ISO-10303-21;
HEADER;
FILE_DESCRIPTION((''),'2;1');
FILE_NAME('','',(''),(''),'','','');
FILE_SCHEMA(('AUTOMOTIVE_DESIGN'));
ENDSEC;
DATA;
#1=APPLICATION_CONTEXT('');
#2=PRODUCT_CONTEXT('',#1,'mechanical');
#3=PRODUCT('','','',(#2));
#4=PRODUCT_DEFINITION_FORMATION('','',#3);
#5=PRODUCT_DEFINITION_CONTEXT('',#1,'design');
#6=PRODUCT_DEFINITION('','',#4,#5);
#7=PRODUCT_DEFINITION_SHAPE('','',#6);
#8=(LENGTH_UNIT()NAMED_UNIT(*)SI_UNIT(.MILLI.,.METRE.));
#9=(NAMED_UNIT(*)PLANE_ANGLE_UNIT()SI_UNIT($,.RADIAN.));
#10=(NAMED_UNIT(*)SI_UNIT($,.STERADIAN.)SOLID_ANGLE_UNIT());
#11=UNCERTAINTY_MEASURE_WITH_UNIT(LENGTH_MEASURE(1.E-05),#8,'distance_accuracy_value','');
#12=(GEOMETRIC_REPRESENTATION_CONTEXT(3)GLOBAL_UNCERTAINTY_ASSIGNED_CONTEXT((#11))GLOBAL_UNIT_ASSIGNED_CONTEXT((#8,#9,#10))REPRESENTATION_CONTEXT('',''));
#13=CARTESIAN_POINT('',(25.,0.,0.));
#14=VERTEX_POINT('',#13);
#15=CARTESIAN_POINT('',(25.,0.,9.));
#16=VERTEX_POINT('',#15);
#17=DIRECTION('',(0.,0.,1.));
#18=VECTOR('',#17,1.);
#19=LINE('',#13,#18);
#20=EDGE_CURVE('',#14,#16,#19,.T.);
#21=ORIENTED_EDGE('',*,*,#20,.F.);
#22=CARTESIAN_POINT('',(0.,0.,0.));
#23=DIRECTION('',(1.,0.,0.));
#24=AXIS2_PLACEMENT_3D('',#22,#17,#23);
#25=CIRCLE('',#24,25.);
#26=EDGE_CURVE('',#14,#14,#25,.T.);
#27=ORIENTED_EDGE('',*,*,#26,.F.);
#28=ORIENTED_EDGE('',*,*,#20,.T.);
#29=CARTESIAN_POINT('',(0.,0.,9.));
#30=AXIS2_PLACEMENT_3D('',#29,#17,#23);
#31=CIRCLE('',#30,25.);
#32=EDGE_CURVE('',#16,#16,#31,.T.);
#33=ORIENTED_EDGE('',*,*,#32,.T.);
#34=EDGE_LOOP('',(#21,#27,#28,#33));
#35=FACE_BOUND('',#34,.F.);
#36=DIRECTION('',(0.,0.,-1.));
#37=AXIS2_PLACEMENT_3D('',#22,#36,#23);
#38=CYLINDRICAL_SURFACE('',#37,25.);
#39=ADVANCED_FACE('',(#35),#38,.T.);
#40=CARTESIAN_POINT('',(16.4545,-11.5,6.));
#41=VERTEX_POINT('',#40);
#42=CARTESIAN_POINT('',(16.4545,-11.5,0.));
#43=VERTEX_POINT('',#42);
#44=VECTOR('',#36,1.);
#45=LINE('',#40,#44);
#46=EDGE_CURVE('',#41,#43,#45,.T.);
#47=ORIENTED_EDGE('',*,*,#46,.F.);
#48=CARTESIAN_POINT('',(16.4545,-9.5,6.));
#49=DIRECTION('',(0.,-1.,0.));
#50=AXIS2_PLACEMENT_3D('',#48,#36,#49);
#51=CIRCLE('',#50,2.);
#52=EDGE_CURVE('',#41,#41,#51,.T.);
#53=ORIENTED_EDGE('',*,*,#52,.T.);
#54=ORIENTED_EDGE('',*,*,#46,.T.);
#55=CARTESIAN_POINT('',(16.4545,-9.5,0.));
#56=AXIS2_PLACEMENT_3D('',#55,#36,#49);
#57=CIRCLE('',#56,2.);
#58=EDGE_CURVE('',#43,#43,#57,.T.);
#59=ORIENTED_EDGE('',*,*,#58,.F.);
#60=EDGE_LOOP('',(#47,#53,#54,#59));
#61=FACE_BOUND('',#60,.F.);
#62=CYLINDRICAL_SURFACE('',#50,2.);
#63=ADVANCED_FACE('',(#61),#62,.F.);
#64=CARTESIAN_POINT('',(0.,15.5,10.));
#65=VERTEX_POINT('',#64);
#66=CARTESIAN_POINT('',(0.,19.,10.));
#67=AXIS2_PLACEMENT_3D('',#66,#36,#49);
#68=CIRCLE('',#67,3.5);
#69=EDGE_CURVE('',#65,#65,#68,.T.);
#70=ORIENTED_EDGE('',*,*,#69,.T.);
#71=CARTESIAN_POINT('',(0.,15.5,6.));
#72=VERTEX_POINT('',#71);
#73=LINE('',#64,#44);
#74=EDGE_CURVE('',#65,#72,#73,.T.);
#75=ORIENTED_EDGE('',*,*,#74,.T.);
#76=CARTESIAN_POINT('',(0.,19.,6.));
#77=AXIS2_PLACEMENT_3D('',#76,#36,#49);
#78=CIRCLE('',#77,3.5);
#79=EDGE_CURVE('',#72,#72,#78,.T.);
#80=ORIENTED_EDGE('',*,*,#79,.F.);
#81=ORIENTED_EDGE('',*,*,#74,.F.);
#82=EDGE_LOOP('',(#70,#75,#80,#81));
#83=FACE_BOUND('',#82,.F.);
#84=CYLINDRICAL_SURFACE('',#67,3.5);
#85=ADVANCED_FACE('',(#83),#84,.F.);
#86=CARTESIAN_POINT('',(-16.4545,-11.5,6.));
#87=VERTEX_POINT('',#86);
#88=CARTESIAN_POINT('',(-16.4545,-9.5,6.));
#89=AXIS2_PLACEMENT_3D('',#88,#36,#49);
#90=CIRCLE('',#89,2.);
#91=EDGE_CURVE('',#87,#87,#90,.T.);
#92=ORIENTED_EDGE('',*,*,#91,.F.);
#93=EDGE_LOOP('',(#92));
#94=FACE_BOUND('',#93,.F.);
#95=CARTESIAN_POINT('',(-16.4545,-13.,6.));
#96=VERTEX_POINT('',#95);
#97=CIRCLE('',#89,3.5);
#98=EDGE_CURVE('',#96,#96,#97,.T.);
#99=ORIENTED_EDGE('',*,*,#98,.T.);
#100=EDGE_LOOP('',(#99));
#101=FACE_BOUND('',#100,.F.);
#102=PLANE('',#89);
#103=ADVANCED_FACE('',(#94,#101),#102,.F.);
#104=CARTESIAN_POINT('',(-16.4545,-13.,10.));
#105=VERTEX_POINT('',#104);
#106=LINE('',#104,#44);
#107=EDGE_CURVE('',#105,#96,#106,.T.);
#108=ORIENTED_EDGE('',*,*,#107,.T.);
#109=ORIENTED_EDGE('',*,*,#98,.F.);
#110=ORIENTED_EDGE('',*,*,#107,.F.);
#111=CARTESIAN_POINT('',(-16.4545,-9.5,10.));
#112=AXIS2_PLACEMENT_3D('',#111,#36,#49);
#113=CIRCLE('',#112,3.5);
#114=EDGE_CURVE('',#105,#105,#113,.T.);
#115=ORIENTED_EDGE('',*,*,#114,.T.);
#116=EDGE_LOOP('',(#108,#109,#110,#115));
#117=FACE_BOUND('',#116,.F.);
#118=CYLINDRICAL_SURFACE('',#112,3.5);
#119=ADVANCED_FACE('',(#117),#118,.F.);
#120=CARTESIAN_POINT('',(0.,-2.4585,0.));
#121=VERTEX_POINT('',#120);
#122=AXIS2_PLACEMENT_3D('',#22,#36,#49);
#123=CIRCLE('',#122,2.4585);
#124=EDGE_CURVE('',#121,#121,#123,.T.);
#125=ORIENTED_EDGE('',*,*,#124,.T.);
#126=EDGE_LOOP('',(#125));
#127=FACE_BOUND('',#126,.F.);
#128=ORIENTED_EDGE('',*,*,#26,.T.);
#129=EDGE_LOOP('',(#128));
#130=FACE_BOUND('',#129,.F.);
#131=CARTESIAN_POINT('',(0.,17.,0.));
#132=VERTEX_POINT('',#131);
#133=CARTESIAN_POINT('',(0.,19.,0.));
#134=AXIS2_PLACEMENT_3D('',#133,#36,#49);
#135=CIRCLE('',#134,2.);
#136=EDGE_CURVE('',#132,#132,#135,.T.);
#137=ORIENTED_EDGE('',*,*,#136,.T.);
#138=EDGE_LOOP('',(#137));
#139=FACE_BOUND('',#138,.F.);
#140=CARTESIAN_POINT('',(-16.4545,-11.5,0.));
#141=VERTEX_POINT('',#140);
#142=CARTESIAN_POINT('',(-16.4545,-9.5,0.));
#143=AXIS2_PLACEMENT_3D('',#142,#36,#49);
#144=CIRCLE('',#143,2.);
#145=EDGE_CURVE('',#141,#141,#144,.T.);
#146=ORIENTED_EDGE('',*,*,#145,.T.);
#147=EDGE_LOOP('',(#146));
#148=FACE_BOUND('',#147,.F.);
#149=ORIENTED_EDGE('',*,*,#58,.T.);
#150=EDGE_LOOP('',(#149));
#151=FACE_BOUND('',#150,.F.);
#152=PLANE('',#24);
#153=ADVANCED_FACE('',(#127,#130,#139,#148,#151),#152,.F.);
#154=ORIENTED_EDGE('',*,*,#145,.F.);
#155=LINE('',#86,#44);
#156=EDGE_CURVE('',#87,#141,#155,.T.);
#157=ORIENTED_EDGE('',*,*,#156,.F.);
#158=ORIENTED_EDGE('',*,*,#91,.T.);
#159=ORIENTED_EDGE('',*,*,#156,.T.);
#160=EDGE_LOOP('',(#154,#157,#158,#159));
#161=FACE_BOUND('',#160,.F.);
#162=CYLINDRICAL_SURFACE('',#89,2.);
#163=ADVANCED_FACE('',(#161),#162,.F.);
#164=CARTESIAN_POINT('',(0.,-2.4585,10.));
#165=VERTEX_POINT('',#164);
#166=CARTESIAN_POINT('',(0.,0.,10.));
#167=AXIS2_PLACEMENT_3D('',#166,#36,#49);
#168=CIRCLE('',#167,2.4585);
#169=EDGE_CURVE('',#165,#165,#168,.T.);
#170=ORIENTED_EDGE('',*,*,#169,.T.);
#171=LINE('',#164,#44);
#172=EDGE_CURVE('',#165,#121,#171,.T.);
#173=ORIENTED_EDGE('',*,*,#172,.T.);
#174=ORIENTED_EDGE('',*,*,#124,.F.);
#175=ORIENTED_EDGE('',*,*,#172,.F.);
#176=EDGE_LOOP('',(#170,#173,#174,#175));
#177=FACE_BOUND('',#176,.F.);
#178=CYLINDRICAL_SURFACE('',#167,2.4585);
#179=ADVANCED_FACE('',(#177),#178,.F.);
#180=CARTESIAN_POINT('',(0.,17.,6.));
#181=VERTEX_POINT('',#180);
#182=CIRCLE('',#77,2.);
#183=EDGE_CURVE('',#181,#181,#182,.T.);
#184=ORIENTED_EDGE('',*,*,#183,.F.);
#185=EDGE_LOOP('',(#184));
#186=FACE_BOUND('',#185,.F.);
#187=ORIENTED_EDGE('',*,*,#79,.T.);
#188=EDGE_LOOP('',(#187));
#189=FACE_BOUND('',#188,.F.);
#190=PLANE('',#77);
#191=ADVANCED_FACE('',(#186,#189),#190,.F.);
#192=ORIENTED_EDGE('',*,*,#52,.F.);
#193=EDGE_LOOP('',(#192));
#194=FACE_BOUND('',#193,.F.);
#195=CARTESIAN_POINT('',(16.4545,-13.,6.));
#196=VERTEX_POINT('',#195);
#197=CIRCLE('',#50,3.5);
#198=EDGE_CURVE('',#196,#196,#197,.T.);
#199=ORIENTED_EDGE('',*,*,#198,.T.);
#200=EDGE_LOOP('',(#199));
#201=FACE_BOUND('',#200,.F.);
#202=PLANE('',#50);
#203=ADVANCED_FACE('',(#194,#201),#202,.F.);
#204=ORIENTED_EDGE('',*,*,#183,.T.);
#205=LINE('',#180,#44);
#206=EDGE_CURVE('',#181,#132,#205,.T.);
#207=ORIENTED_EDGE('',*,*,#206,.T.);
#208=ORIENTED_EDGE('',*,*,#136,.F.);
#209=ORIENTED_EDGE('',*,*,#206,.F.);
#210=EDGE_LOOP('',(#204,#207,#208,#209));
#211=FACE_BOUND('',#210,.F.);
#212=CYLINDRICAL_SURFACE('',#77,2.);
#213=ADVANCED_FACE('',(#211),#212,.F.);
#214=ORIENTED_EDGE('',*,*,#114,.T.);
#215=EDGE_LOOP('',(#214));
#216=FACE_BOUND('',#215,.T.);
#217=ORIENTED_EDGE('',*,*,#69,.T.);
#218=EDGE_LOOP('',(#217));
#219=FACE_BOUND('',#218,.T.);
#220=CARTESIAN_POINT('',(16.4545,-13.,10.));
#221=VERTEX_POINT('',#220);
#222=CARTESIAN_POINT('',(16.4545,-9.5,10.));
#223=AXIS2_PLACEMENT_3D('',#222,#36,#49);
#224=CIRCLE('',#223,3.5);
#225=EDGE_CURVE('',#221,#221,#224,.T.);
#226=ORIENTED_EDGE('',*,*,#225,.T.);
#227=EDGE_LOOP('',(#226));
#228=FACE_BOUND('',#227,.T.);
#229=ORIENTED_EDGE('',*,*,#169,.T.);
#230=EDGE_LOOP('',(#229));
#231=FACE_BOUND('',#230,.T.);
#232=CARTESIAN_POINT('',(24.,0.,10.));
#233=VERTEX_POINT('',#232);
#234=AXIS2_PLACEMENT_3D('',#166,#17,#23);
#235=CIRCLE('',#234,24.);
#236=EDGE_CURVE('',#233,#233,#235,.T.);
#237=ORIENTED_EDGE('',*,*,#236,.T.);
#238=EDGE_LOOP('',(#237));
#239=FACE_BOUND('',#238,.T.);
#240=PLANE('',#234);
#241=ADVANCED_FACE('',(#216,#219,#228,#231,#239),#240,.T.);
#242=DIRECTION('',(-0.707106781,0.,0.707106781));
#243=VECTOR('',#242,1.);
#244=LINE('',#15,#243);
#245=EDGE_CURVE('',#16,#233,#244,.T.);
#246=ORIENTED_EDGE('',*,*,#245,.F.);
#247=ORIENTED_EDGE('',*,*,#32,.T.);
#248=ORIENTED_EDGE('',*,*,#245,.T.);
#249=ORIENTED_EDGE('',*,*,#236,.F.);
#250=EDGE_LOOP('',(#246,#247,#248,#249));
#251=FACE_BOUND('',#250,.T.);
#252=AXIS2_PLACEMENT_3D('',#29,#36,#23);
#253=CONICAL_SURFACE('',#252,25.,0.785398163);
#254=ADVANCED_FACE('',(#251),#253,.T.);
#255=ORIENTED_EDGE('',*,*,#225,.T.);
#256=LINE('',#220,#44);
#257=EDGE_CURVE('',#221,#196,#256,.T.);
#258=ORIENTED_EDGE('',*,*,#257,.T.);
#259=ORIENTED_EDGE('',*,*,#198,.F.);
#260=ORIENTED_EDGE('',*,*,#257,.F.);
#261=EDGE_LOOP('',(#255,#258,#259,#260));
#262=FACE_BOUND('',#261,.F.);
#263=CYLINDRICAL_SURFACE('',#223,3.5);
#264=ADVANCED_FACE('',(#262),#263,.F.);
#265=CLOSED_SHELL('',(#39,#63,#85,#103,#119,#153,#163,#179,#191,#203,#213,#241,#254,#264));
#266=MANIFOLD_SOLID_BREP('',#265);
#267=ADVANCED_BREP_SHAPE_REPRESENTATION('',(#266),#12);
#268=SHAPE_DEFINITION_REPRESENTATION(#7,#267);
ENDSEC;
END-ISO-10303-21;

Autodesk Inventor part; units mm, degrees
ref_plane "YZ Plane" through (0, 0, 0) normal (1, 0, 0) x (0, 1, 0)
ref_plane "XZ Plane" through (0, 0, 0) normal (0, 1, 0) x (-1, 0, 0)
ref_plane "XY Plane" through (0, 0, 0) normal (0, 0, 1) x (1, 0, 0)
sketch "Sketch1" plane through (0, 0, 0) normal (0, 0, 1) x (1, 0, 0)
  line L0 (0, 35) -> (0, -35) construction
  line L1 (-35, 0) -> (35, 0) construction
  circle A0 centre (0, 0) radius 25
  dimension "d0" = 50
extrude "Extrusion1" add sketch "Sketch1" along normal blind 10
sketch "Sketch2" plane through (0, 0, 10) normal (0, 0, 1) x (1, 0, 0)
  point P0 (0, 0)
  point P1 (0, 0)
hole "Hole1" at (0, 0, 10) direction (0, 0, -1) diameter 4.917 end through all thread size "M6x1" class "6H" standard "ISO Metric profile"
sketch "Sketch3" plane through (0, 0, 10) normal (0, 0, 1) x (1, 0, 0)
  circle A0 centre (0, 0) radius 19 construction
  line L0 (0, 35) -> (0, -35) construction
  point P0 (0, 19)
  point P1 (-16.4545, -9.5)
  point P2 (16.4545, -9.5)
  dimension "d10" = 38
  dimension "d11" = 120
  dimension "d12" = 120
hole "Hole2" at (0, 19, 10) at (-16.4545, -9.5, 10) at (16.4545, -9.5, 10) direction (0, 0, -1) diameter 4 end through all counterbore diameter 7 counterbore depth 4
chamfer "Chamfer1" distance 1 angle 45 1 edges at (-25, 0, 10)
properties part number "M-060-Adapter"
